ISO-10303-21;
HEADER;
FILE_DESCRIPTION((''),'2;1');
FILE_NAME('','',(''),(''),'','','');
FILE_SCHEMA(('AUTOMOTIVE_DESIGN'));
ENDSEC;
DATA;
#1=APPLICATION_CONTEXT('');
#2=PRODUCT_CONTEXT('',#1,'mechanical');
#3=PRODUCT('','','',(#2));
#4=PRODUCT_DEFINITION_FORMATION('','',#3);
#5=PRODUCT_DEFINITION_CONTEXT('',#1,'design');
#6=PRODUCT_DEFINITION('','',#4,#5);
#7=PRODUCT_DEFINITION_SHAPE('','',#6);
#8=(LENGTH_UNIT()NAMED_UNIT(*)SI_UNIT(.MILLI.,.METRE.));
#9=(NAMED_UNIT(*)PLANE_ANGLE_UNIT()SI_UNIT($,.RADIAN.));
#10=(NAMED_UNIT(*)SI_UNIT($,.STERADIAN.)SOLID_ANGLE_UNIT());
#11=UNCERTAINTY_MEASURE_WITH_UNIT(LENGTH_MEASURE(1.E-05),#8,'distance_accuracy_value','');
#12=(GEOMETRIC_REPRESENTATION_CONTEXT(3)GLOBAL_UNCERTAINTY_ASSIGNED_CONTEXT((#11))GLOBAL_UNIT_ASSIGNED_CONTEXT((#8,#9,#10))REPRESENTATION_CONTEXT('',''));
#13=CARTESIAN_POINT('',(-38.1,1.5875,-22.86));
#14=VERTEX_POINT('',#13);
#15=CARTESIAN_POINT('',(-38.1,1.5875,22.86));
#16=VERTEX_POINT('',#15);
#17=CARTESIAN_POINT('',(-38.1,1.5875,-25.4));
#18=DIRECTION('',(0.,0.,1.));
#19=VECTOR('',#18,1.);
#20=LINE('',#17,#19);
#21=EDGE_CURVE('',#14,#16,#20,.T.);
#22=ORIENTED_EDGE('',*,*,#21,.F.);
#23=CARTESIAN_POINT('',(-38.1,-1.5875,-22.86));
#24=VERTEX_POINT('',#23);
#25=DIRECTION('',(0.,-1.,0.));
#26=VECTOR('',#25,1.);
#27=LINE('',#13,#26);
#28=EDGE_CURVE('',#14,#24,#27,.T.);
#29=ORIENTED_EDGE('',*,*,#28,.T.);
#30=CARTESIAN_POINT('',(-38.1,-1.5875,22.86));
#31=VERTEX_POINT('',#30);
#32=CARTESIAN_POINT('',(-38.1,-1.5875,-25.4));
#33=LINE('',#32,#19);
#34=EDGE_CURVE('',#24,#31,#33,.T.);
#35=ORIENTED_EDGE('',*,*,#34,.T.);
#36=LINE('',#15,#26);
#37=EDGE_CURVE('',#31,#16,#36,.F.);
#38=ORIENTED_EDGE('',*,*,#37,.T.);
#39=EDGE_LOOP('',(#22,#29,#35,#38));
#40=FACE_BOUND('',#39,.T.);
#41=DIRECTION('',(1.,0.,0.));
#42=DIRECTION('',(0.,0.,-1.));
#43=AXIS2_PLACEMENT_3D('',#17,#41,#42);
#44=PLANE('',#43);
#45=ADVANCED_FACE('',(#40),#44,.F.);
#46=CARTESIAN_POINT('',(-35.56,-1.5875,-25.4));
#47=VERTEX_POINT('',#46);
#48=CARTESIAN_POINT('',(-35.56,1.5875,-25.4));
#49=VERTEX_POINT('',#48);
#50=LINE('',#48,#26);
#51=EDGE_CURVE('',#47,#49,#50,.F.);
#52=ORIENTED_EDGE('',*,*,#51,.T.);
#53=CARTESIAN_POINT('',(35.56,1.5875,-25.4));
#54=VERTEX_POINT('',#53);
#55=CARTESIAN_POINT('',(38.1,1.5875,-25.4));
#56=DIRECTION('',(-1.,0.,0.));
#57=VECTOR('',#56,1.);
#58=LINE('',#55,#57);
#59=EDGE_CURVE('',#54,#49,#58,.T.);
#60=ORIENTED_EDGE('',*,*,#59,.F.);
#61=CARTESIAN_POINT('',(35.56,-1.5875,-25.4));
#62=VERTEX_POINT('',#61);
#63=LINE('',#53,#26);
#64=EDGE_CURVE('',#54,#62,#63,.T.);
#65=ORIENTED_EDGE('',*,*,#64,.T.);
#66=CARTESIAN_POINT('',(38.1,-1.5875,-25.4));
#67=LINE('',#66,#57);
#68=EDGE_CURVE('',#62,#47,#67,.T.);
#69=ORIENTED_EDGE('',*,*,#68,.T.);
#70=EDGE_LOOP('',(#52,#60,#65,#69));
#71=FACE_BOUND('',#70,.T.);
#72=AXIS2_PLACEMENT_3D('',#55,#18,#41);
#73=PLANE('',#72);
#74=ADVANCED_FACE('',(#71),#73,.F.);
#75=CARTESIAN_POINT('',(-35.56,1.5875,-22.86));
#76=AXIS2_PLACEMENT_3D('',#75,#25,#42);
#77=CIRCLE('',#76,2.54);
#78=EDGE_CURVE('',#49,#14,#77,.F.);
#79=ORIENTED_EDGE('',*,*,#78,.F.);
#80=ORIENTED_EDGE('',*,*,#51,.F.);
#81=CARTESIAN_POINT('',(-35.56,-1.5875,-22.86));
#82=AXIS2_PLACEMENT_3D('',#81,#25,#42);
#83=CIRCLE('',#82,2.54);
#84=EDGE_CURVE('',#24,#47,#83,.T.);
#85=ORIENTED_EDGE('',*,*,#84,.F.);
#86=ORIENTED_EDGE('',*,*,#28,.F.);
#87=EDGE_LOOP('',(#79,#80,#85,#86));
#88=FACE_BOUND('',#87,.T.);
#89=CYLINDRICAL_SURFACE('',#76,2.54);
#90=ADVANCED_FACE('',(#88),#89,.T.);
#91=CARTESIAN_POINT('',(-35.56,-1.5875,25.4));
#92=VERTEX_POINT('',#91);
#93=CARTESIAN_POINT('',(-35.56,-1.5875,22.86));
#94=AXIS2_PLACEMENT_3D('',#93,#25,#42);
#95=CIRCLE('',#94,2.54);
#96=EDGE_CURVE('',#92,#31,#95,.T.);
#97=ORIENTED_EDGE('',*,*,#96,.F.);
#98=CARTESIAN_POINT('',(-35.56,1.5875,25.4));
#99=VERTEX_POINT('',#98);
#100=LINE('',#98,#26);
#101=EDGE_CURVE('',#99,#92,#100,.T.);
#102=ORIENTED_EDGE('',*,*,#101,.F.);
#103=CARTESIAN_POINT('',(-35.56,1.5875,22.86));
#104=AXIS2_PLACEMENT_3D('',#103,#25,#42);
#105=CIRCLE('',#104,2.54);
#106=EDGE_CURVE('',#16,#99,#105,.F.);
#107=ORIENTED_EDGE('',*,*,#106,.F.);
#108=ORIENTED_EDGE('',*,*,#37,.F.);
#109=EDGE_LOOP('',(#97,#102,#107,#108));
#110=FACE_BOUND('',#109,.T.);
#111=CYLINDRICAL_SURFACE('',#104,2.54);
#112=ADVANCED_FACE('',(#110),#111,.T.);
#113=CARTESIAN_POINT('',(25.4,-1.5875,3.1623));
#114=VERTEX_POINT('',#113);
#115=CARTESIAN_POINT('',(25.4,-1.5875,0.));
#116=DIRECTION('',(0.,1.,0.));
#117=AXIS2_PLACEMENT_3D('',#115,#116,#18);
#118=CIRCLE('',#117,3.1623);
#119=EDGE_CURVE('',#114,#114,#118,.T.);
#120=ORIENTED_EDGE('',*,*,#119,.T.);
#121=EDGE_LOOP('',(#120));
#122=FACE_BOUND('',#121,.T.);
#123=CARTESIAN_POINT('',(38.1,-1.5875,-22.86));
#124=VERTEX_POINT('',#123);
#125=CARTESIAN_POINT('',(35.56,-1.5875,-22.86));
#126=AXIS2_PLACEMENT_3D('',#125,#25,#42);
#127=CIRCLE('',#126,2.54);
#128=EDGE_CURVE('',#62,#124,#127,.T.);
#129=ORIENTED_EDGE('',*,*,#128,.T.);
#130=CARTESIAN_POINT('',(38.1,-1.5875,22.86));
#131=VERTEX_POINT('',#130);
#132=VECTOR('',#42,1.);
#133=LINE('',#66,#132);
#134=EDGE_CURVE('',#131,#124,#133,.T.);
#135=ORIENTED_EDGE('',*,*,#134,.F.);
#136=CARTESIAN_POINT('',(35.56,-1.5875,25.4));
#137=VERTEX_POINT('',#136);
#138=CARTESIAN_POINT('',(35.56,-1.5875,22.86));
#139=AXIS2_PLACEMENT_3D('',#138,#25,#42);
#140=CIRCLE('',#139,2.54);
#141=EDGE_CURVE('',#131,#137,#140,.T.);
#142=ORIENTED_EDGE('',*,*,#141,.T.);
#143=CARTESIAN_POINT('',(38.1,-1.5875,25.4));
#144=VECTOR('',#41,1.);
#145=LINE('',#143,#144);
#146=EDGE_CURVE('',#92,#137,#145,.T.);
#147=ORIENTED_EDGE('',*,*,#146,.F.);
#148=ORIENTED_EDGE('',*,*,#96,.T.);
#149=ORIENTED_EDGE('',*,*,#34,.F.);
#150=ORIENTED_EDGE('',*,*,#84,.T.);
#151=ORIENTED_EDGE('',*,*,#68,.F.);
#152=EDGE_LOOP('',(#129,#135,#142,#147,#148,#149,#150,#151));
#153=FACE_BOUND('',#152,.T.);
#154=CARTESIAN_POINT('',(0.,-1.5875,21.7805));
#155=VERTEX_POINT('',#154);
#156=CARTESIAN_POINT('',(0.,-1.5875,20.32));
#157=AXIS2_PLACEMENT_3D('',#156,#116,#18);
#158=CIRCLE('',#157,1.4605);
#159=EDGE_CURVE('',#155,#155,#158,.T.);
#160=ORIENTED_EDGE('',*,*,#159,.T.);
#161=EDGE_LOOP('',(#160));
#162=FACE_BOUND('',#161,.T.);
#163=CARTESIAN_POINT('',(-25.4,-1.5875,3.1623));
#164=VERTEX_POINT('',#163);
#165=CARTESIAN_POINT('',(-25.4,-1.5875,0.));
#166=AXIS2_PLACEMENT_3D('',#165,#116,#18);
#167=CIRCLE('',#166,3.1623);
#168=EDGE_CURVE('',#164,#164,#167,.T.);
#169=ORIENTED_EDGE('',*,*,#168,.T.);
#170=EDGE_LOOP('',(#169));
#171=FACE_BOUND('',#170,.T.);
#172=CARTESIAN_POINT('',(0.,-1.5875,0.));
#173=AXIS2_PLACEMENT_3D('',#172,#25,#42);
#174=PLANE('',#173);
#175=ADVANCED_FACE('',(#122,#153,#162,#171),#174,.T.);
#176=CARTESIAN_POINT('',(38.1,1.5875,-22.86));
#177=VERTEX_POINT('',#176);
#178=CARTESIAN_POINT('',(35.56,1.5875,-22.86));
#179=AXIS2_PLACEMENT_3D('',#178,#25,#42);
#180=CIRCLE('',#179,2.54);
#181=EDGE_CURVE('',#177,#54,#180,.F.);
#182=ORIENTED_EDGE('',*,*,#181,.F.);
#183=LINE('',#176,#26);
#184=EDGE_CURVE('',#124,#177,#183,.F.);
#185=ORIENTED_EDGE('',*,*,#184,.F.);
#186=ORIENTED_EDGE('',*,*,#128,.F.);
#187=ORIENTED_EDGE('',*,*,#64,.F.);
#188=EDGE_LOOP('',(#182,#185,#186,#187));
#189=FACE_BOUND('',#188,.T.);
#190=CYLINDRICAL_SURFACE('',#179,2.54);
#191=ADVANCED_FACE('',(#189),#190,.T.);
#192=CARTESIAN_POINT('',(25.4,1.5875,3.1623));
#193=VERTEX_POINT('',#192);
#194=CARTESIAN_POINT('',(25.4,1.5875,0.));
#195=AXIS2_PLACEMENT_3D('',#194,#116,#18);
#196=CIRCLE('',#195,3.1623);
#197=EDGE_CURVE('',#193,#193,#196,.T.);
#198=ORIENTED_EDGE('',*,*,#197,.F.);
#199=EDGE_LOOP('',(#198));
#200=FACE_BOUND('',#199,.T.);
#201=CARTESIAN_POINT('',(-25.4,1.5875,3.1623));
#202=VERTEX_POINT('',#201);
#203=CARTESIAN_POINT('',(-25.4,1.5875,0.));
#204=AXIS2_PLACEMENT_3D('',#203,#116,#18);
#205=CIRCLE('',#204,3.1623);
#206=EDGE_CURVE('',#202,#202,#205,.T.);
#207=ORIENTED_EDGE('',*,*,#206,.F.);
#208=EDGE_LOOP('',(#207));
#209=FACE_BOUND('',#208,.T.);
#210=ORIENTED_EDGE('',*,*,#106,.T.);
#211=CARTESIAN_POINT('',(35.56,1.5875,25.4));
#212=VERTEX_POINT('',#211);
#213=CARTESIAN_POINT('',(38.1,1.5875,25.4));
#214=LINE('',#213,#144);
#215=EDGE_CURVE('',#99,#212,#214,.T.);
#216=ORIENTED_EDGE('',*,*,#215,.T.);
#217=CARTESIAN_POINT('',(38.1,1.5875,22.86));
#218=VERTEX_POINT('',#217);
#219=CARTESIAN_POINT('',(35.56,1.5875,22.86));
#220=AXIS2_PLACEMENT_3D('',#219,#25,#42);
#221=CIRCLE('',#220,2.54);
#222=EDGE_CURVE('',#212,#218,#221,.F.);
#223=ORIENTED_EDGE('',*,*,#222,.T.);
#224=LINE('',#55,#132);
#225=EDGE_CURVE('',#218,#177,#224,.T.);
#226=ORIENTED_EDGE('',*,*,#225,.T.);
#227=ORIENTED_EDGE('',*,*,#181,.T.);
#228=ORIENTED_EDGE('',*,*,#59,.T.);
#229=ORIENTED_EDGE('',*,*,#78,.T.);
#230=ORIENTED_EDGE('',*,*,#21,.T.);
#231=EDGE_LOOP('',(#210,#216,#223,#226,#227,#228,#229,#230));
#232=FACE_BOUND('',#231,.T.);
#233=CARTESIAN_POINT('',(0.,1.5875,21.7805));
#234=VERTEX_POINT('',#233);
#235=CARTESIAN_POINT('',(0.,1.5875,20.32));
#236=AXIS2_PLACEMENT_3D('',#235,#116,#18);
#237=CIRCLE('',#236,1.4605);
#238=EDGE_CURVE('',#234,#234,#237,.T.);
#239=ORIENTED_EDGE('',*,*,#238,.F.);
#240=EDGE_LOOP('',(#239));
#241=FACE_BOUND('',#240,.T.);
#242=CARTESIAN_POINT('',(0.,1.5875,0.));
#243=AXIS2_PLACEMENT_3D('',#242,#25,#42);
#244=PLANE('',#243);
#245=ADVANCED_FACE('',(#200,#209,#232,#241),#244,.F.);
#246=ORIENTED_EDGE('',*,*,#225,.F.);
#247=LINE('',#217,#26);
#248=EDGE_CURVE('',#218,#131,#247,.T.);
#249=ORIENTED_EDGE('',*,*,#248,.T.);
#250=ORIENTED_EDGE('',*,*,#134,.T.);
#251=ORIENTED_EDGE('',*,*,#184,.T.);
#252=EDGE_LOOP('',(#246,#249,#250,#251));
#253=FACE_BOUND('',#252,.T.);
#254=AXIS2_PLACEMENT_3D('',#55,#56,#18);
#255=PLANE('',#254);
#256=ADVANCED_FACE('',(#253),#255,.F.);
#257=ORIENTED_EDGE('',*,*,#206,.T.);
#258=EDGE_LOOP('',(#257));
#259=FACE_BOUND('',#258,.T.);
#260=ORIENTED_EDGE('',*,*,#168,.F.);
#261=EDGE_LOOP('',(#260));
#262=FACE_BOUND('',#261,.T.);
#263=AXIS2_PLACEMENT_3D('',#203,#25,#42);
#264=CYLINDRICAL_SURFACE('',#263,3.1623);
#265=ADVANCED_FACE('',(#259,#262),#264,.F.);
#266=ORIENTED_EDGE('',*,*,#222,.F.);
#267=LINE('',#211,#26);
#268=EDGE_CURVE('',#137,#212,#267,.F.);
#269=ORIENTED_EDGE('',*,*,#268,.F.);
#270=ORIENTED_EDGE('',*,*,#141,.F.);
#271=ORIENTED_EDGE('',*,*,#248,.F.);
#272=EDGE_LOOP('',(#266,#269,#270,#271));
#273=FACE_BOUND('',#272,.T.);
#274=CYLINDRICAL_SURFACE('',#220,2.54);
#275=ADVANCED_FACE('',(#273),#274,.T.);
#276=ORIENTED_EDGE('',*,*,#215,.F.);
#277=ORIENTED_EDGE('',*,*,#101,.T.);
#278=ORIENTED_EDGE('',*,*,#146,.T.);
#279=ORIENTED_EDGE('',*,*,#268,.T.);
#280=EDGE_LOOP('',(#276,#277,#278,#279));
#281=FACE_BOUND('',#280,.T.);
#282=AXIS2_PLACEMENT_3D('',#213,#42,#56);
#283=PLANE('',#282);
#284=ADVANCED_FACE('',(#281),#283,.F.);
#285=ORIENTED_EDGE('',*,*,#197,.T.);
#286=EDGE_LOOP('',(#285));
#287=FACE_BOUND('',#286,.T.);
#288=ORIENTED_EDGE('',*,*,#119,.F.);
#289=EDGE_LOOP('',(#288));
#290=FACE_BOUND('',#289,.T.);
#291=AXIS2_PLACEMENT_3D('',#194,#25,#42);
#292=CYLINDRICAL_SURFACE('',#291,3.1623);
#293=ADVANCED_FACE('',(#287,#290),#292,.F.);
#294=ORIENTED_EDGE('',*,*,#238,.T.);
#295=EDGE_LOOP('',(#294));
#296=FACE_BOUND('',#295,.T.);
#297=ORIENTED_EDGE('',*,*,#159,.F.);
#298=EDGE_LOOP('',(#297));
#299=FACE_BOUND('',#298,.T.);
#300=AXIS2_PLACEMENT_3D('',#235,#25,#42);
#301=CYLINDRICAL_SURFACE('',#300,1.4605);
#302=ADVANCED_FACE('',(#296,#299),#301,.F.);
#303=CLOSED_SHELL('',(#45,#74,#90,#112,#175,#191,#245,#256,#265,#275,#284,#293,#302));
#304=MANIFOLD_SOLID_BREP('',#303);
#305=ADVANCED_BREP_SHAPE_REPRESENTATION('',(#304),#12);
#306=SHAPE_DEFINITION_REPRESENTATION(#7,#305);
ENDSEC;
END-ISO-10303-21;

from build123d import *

# Parameters (mm, degrees)
SKETCH1_W           = 76.2
SKETCH1_H           = 50.8
SKETCH1_R           = 3.1623
SKETCH1_R_2         = 1.4605
BOSS_EXTRUDE1_DEPTH = 1.5875
FILLET1_R           = 2.54


with BuildPart() as part:
    # Sketch1 → Boss-Extrude1 (new body, symmetric)
    with BuildSketch(Plane(origin=(0, 0, 0), x_dir=(1, 0, 0), z_dir=(0, 1, 0))):
        Rectangle(SKETCH1_W, SKETCH1_H)
        with Locations((-25.4, 0)):
            Circle(SKETCH1_R, mode=Mode.SUBTRACT)
        with Locations((25.4, 0)):
            Circle(SKETCH1_R, mode=Mode.SUBTRACT)
        with Locations((0, -20.32)):
            Circle(SKETCH1_R_2, mode=Mode.SUBTRACT)
    extrude(amount=BOSS_EXTRUDE1_DEPTH, both=True)

    # Fillet1
    fillet1_edges = [part.edges().sort_by_distance(p)[0] for p in [
        (-38.1, 0, -25.4),
        (38.1, 0, -25.4),
        (38.1, 0, 25.4),
        (-38.1, 0, 25.4),
    ]]
    fillet(fillet1_edges, radius=FILLET1_R)


solid = part.part
